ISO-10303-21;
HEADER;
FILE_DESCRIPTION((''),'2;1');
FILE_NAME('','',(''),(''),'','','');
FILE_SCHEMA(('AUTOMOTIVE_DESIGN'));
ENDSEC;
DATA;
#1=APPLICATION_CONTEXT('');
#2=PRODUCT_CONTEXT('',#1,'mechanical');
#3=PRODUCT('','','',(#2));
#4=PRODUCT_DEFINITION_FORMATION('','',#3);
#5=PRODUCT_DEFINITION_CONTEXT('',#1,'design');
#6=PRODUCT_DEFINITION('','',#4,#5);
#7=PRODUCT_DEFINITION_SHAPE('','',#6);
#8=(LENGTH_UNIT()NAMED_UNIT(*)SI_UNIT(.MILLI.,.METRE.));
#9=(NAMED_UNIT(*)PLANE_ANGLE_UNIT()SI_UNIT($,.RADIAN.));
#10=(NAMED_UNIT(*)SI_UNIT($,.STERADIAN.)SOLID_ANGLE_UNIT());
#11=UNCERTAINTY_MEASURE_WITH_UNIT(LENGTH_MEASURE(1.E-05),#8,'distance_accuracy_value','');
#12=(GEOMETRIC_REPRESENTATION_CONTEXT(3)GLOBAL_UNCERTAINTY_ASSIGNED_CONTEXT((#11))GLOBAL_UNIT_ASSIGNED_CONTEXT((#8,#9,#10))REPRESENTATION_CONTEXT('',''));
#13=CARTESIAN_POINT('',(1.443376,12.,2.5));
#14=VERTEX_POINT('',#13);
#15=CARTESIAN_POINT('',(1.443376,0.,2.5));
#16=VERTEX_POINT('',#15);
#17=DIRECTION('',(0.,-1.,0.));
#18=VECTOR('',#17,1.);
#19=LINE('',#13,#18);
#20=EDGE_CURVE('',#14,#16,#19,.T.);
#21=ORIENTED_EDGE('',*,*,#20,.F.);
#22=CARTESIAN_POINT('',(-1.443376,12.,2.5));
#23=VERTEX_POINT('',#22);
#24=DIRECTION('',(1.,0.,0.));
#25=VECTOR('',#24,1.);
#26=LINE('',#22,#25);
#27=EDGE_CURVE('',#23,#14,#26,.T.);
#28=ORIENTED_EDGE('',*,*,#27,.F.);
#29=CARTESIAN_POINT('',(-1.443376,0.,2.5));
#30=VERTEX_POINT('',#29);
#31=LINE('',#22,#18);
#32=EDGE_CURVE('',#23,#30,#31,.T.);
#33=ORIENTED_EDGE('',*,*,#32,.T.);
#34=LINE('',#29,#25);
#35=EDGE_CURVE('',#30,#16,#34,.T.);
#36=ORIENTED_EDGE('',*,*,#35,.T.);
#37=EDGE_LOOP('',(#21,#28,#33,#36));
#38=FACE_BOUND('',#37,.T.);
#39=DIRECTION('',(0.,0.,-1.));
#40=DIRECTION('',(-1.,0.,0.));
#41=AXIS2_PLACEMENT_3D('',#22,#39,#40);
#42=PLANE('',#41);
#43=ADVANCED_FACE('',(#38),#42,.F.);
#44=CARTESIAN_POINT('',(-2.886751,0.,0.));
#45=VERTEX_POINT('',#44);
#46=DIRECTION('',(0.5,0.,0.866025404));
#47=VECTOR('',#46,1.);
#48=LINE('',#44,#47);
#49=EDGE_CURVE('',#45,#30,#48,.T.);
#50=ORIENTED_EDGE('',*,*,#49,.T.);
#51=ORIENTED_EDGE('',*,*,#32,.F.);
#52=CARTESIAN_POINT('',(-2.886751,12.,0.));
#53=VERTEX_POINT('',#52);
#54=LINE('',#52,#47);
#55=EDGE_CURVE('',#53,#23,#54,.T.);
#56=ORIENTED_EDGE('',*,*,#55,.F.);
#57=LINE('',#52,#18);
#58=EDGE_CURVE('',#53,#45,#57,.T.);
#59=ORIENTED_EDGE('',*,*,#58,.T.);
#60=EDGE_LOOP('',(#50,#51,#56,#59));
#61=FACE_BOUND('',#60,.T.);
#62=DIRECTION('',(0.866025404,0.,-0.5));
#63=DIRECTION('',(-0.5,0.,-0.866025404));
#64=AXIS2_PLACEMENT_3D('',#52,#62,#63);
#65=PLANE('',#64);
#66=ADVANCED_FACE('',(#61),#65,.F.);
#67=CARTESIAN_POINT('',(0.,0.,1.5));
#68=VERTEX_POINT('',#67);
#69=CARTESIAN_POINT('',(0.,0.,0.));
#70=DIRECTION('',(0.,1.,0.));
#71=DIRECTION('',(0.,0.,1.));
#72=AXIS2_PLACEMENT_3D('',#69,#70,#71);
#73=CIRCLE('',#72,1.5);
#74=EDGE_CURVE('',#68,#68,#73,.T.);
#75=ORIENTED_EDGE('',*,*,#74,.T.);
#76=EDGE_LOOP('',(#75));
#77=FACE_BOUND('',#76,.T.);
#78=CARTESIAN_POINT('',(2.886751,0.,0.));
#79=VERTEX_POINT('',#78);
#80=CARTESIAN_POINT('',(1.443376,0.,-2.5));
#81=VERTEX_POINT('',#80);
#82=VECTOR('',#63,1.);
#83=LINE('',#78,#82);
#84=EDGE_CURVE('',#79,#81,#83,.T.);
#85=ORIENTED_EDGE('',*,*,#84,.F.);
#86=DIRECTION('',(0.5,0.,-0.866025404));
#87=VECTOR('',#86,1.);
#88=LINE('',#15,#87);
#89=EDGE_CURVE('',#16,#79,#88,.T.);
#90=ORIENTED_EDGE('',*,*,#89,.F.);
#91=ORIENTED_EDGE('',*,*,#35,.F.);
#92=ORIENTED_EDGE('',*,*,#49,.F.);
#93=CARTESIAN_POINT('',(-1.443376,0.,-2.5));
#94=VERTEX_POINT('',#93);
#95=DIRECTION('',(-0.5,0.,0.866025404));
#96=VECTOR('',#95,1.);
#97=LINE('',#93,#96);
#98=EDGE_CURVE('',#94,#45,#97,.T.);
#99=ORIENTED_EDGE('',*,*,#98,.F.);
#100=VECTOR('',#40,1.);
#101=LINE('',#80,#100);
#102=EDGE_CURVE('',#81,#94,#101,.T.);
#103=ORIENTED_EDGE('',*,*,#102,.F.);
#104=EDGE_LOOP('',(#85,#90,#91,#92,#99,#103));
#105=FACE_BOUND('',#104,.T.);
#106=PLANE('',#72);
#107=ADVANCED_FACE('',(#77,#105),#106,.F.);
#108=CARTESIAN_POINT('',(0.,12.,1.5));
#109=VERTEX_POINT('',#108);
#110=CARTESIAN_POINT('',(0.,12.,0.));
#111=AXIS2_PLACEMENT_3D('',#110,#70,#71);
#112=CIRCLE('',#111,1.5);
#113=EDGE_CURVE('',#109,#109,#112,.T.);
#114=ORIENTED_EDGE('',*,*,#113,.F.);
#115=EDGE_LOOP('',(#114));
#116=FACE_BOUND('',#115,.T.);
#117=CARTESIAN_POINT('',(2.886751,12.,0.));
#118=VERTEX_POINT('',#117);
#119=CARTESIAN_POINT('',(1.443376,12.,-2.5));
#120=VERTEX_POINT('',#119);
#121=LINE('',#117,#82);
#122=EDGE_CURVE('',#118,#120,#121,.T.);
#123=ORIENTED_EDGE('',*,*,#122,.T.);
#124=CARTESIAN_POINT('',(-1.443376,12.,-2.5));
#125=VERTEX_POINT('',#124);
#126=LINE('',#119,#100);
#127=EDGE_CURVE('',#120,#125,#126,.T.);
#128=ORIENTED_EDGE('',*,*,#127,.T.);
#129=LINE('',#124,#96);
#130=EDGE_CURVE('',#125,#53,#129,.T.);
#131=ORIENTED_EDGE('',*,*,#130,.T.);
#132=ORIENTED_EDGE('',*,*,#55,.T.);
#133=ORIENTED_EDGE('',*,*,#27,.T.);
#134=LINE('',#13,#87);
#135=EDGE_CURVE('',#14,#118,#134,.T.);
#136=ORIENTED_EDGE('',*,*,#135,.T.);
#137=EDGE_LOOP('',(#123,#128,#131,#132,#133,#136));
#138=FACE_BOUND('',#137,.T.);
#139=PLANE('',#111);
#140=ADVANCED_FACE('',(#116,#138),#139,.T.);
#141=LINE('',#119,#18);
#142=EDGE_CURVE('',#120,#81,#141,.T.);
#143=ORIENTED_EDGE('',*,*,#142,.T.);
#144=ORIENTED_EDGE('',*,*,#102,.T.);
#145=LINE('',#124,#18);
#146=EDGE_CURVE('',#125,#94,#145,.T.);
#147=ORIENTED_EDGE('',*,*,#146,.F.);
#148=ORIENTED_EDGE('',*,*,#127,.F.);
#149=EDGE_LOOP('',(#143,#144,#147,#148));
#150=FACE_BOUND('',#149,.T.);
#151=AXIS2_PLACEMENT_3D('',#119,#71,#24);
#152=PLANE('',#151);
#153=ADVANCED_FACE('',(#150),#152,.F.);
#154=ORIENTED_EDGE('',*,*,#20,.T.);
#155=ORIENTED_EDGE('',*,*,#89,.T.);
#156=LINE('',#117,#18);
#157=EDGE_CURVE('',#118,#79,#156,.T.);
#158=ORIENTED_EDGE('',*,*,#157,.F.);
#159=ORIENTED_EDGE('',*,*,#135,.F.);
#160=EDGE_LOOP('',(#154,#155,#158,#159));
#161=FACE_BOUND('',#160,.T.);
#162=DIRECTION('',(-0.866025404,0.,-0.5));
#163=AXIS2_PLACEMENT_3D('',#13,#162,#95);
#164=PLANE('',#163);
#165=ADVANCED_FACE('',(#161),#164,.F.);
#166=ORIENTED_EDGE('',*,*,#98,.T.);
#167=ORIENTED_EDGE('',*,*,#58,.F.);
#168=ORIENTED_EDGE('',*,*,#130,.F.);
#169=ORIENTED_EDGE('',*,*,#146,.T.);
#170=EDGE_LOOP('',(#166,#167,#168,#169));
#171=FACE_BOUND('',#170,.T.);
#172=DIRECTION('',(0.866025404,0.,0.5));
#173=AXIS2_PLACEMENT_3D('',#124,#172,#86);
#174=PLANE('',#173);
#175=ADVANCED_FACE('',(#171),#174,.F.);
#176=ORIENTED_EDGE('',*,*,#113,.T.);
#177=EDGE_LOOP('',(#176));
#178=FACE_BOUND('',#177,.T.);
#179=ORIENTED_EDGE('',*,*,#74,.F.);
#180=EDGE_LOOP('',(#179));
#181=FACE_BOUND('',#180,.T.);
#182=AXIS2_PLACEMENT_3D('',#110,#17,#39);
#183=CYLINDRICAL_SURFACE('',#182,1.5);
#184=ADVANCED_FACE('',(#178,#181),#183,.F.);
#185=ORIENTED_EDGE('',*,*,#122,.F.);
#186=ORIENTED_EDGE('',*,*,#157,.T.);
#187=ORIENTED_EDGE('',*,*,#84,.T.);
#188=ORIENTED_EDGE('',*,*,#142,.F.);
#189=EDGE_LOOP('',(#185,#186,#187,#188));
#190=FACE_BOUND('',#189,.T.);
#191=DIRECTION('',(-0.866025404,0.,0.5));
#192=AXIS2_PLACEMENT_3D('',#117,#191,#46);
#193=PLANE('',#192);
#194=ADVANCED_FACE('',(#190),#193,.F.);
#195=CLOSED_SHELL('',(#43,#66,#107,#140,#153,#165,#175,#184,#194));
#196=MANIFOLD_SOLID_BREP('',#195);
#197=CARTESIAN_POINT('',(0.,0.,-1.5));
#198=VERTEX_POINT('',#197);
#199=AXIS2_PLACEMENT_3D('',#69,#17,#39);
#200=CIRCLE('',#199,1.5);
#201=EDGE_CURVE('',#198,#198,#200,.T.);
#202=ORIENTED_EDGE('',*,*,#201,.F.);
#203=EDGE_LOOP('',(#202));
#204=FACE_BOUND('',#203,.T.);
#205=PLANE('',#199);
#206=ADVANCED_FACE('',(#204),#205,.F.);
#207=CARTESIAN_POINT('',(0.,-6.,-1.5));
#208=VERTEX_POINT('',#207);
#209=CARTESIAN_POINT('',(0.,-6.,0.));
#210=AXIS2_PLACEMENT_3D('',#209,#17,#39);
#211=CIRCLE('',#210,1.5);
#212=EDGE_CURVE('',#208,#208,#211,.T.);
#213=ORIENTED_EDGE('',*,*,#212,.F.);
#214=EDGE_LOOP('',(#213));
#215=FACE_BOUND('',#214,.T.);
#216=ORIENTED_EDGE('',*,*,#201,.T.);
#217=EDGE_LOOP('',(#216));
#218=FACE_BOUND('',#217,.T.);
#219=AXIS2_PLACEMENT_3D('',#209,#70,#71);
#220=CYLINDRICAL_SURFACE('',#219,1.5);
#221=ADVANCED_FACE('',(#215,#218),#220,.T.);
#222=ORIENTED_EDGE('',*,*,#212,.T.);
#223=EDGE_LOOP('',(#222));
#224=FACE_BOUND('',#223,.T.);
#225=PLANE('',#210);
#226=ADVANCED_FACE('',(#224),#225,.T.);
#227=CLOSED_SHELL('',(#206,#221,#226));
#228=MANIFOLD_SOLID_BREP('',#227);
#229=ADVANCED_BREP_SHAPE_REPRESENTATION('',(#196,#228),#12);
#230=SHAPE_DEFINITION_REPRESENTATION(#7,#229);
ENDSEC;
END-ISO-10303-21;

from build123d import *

# Parameters (mm, degrees)
CROQUIS1_R              = 1.5
SALIENTE_EXTRUIR1_DEPTH = 12
CROQUIS2_R              = 1.5
SALIENTE_EXTRUIR2_DEPTH = 6


with BuildPart() as part:
    # Croquis1 → Saliente-Extruir1 (new body)
    with BuildSketch(Plane(origin=(0, 0, 0), x_dir=(1, 0, 0), z_dir=(0, 1, 0))):
        Polygon((1.443375673, -2.5), (2.886751346, 0), (1.443375673, 2.5), (-1.443375673, 2.5), (-2.886751346, 0), (-1.443375673, -2.5), align=None)
        Circle(CROQUIS1_R, mode=Mode.SUBTRACT)
    extrude(amount=SALIENTE_EXTRUIR1_DEPTH)


with BuildPart() as body_2:
    # Croquis2 → Saliente-Extruir2 (new body)
    with BuildSketch(Plane.XZ):
        Circle(CROQUIS2_R)
    extrude(amount=SALIENTE_EXTRUIR2_DEPTH)


solid = Compound([part.part, body_2.part])
